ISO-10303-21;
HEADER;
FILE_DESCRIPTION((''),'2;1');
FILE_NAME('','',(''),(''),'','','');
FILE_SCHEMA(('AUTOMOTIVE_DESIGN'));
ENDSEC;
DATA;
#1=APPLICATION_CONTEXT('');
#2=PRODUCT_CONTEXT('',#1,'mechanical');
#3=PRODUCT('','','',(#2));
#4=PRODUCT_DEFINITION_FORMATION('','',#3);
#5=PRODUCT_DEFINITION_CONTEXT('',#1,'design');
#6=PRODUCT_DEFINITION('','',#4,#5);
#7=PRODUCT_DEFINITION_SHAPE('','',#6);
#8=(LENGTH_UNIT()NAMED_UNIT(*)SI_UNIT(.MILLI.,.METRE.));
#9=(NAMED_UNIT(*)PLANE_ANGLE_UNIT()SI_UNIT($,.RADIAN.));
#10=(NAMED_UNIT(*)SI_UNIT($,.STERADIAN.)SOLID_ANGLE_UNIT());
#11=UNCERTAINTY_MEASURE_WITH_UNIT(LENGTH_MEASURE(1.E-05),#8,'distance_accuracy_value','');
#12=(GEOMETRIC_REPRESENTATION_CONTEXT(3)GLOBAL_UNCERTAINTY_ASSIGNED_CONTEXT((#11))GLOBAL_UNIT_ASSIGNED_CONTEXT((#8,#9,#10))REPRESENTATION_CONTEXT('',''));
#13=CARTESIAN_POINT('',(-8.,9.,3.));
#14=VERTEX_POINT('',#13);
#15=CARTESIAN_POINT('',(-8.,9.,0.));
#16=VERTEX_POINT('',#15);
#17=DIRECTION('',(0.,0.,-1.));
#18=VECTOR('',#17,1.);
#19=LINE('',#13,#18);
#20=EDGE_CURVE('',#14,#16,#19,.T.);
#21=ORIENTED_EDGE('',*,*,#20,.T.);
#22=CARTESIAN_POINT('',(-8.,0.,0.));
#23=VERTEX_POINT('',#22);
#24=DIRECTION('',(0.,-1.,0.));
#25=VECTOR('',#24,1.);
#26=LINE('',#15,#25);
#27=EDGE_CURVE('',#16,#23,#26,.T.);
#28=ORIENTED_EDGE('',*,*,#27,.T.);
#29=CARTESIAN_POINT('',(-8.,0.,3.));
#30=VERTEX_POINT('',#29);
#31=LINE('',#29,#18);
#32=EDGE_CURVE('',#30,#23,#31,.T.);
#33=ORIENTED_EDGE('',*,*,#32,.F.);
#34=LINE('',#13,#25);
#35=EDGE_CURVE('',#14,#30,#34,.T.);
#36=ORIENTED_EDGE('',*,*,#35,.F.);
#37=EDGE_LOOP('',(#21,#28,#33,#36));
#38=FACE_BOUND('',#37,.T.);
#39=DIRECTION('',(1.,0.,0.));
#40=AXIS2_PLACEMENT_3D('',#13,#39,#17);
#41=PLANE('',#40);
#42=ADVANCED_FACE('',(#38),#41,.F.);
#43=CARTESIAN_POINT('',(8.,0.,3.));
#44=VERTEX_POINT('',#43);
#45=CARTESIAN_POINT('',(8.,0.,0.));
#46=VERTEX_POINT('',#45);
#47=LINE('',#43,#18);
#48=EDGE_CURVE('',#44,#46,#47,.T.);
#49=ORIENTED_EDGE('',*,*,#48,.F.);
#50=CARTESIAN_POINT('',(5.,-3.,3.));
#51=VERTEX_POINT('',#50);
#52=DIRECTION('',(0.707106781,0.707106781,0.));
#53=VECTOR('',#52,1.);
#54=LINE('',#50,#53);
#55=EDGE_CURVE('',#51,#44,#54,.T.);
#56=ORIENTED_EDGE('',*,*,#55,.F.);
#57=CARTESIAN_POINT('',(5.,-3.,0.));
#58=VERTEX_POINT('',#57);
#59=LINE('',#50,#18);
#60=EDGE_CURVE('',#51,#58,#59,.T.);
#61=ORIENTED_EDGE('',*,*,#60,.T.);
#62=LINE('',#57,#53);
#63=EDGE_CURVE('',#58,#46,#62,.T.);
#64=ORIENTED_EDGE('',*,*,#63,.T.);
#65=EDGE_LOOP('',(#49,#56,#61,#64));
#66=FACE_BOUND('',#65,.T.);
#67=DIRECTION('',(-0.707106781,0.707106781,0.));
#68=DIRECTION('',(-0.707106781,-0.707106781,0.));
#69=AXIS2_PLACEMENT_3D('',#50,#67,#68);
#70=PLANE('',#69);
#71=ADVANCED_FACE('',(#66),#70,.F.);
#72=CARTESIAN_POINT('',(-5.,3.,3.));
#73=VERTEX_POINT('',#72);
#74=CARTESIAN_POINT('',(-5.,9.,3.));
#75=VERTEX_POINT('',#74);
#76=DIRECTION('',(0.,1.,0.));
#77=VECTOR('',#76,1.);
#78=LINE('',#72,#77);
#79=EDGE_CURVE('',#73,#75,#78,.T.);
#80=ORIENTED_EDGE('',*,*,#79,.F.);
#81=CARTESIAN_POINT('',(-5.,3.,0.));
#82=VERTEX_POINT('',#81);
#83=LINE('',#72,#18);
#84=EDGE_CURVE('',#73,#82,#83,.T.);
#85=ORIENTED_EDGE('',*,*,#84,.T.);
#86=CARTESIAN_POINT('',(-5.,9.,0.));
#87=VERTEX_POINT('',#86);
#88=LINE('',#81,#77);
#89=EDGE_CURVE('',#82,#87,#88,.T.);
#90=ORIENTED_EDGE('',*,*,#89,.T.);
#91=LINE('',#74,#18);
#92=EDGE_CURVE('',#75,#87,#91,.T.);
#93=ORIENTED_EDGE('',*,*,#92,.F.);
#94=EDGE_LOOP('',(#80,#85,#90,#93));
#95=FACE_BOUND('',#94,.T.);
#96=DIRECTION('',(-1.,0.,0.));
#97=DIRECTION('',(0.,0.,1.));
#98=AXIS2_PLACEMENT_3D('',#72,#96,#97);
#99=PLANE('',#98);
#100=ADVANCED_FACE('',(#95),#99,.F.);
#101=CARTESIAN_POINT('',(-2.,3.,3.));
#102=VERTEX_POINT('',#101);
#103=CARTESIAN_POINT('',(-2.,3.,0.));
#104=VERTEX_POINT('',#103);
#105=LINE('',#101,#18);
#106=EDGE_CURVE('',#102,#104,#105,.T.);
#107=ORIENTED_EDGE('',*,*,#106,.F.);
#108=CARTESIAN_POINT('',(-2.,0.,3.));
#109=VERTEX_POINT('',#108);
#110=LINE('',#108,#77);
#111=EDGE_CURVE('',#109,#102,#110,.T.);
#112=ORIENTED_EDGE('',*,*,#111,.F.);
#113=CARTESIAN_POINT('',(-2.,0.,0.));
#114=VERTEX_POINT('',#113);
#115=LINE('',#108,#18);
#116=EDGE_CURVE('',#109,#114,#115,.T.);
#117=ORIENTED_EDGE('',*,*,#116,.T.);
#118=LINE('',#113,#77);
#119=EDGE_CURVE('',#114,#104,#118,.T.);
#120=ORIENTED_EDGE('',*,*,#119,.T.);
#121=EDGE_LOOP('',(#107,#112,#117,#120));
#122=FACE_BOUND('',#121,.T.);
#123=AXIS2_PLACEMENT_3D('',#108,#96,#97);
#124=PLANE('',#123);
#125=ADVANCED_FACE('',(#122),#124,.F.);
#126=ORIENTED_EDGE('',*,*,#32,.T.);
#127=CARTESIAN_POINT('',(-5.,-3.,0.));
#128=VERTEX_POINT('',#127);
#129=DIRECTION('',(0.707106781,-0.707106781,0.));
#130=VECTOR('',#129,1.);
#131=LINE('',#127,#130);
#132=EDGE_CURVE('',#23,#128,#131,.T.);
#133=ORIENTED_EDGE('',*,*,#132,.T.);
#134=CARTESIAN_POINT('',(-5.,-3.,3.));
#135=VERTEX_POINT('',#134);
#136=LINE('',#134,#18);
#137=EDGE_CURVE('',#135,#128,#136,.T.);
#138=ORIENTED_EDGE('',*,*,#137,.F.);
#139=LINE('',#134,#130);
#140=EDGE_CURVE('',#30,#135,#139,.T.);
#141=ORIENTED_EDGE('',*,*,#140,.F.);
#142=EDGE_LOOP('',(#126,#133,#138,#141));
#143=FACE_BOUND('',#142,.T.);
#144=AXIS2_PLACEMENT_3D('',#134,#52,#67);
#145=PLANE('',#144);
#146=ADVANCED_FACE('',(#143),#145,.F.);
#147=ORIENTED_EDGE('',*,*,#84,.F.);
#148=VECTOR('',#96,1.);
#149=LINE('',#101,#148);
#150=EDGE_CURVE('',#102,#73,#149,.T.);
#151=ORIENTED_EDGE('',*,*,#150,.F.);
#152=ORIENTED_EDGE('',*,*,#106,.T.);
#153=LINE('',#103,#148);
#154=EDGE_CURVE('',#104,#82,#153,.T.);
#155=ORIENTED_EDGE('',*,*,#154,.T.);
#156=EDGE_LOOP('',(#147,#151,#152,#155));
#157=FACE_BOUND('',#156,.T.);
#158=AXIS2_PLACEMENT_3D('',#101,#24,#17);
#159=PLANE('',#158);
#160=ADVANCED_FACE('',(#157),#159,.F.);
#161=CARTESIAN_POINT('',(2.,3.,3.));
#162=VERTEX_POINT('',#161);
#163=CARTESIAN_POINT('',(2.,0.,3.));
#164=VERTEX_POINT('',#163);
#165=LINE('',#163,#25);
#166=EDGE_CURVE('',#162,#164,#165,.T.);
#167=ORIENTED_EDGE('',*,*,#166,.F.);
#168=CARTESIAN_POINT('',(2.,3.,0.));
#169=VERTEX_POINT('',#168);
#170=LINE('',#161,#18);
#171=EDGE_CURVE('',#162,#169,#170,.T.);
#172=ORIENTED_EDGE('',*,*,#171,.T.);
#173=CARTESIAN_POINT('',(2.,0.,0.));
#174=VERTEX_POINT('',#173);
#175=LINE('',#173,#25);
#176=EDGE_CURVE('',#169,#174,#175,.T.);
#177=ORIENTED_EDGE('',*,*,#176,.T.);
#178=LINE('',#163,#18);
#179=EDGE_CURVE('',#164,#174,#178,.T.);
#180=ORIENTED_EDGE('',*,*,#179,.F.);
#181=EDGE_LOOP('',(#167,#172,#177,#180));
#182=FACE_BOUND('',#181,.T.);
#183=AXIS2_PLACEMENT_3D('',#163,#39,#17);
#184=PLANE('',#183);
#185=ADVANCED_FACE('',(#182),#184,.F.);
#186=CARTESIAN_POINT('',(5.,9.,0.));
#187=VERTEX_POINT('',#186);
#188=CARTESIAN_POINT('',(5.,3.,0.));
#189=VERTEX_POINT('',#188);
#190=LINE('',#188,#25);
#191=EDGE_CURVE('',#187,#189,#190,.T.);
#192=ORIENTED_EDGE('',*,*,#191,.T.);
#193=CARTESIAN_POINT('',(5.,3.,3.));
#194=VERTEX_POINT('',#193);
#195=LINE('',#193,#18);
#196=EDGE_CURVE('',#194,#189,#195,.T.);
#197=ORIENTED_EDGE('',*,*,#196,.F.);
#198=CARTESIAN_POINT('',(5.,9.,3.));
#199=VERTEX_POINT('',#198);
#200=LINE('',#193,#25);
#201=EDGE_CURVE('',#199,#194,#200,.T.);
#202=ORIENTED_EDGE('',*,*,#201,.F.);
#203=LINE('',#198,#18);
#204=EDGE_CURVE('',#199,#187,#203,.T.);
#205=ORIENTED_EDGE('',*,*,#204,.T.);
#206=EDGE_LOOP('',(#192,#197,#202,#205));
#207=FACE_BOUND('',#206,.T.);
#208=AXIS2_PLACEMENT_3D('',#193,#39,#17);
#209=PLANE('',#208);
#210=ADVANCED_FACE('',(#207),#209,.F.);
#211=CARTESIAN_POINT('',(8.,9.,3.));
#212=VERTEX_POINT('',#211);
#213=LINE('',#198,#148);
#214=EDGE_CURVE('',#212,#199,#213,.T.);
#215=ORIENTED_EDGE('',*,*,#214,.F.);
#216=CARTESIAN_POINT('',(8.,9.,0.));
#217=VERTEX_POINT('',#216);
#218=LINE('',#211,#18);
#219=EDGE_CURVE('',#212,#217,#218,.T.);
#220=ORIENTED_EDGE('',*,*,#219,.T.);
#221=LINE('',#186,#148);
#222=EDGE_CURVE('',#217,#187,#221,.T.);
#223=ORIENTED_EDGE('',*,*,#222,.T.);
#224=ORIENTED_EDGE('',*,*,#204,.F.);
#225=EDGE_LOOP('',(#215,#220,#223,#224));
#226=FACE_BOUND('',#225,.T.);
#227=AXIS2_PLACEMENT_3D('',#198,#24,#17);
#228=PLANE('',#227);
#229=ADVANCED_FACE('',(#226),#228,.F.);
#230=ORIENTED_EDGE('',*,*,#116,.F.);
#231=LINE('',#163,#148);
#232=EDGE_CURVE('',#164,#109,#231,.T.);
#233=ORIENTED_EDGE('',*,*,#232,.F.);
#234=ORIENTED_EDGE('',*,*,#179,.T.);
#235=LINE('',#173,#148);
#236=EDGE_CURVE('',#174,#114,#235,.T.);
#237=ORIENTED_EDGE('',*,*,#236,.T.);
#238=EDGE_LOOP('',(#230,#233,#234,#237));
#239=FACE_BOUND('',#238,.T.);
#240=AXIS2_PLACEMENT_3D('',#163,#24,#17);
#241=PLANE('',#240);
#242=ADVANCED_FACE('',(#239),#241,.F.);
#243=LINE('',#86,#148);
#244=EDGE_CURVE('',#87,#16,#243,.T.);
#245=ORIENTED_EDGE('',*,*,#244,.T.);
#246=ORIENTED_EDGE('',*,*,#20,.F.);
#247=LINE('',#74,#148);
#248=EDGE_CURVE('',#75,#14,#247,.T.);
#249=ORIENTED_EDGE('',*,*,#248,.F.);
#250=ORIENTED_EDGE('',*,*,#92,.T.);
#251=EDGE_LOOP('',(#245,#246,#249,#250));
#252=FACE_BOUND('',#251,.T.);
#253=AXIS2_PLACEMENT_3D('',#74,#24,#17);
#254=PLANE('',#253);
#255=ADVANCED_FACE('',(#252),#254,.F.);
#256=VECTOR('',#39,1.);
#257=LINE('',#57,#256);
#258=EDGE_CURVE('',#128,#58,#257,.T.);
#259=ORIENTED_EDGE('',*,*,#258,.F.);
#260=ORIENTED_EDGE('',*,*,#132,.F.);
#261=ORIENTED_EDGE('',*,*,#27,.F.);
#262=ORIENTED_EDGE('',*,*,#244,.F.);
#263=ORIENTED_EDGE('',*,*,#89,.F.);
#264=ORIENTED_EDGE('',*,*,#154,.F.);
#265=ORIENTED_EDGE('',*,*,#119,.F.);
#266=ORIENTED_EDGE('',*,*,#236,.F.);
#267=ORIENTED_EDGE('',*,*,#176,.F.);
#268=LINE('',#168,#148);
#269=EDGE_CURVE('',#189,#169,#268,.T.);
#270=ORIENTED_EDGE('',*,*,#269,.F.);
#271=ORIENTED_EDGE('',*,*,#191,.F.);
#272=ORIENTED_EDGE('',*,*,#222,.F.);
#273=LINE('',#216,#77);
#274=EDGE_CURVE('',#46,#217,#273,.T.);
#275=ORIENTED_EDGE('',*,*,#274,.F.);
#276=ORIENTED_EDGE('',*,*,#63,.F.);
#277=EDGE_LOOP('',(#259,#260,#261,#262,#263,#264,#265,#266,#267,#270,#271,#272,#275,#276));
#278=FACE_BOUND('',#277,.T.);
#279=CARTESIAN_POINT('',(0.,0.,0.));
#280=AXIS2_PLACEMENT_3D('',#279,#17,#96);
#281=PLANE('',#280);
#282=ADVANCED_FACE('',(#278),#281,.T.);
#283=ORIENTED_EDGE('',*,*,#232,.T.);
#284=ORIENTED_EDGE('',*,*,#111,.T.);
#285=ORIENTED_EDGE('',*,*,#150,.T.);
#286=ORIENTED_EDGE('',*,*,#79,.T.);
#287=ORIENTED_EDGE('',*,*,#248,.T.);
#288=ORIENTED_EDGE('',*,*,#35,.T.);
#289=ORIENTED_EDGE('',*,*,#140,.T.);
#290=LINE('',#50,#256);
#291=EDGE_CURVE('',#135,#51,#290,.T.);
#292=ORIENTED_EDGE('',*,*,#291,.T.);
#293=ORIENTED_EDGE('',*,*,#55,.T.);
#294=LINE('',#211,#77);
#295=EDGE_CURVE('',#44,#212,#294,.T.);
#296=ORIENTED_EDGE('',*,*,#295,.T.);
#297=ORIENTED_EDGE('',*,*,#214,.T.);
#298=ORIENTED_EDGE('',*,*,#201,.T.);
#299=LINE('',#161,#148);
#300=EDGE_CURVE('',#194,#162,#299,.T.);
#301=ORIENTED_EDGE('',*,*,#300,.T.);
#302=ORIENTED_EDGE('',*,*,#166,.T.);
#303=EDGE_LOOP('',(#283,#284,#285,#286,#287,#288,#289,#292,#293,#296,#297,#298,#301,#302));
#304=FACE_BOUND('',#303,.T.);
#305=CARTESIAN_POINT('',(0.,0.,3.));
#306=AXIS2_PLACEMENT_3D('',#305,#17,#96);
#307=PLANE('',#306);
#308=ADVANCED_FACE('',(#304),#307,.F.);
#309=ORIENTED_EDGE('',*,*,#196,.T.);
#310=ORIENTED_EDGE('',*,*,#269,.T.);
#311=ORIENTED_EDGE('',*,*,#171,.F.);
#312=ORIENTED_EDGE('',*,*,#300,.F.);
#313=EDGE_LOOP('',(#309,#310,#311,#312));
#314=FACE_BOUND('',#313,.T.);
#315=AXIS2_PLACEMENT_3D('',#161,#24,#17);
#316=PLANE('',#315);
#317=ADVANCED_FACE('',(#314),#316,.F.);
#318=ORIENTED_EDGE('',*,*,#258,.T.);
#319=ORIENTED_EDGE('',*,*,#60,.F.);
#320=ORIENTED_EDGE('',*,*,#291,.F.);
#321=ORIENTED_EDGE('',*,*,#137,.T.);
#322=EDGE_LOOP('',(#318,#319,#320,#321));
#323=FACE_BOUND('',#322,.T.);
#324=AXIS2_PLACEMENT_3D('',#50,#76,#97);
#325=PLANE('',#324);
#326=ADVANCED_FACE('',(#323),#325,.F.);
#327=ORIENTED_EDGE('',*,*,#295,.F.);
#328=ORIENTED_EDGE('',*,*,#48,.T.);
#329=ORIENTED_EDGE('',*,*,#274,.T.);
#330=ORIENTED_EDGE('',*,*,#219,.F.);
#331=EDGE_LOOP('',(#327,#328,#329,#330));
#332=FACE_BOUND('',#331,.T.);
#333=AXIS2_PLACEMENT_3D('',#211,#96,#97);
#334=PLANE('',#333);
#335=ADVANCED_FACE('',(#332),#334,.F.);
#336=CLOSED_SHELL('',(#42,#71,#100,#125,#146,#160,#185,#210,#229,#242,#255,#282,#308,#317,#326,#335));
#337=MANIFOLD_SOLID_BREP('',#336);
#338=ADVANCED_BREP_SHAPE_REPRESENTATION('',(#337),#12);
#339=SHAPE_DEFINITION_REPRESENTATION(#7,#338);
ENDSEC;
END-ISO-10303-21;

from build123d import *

# Parameters (mm, degrees)
EXTRUDE_1_DEPTH = 3


with BuildPart() as part:
    # 草图1 → 凸台-拉伸1 (new body)
    with BuildSketch(Plane.XY):
        Polygon((2, 0), (-2, 0), (-2, 3), (-5, 3), (-5, 9), (-8, 9), (-8, 0), (-5, -3), (5, -3), (8, 0), (8, 9), (5, 9), (5, 3), (2, 3), align=None)
    extrude(amount=EXTRUDE_1_DEPTH)


solid = part.part
